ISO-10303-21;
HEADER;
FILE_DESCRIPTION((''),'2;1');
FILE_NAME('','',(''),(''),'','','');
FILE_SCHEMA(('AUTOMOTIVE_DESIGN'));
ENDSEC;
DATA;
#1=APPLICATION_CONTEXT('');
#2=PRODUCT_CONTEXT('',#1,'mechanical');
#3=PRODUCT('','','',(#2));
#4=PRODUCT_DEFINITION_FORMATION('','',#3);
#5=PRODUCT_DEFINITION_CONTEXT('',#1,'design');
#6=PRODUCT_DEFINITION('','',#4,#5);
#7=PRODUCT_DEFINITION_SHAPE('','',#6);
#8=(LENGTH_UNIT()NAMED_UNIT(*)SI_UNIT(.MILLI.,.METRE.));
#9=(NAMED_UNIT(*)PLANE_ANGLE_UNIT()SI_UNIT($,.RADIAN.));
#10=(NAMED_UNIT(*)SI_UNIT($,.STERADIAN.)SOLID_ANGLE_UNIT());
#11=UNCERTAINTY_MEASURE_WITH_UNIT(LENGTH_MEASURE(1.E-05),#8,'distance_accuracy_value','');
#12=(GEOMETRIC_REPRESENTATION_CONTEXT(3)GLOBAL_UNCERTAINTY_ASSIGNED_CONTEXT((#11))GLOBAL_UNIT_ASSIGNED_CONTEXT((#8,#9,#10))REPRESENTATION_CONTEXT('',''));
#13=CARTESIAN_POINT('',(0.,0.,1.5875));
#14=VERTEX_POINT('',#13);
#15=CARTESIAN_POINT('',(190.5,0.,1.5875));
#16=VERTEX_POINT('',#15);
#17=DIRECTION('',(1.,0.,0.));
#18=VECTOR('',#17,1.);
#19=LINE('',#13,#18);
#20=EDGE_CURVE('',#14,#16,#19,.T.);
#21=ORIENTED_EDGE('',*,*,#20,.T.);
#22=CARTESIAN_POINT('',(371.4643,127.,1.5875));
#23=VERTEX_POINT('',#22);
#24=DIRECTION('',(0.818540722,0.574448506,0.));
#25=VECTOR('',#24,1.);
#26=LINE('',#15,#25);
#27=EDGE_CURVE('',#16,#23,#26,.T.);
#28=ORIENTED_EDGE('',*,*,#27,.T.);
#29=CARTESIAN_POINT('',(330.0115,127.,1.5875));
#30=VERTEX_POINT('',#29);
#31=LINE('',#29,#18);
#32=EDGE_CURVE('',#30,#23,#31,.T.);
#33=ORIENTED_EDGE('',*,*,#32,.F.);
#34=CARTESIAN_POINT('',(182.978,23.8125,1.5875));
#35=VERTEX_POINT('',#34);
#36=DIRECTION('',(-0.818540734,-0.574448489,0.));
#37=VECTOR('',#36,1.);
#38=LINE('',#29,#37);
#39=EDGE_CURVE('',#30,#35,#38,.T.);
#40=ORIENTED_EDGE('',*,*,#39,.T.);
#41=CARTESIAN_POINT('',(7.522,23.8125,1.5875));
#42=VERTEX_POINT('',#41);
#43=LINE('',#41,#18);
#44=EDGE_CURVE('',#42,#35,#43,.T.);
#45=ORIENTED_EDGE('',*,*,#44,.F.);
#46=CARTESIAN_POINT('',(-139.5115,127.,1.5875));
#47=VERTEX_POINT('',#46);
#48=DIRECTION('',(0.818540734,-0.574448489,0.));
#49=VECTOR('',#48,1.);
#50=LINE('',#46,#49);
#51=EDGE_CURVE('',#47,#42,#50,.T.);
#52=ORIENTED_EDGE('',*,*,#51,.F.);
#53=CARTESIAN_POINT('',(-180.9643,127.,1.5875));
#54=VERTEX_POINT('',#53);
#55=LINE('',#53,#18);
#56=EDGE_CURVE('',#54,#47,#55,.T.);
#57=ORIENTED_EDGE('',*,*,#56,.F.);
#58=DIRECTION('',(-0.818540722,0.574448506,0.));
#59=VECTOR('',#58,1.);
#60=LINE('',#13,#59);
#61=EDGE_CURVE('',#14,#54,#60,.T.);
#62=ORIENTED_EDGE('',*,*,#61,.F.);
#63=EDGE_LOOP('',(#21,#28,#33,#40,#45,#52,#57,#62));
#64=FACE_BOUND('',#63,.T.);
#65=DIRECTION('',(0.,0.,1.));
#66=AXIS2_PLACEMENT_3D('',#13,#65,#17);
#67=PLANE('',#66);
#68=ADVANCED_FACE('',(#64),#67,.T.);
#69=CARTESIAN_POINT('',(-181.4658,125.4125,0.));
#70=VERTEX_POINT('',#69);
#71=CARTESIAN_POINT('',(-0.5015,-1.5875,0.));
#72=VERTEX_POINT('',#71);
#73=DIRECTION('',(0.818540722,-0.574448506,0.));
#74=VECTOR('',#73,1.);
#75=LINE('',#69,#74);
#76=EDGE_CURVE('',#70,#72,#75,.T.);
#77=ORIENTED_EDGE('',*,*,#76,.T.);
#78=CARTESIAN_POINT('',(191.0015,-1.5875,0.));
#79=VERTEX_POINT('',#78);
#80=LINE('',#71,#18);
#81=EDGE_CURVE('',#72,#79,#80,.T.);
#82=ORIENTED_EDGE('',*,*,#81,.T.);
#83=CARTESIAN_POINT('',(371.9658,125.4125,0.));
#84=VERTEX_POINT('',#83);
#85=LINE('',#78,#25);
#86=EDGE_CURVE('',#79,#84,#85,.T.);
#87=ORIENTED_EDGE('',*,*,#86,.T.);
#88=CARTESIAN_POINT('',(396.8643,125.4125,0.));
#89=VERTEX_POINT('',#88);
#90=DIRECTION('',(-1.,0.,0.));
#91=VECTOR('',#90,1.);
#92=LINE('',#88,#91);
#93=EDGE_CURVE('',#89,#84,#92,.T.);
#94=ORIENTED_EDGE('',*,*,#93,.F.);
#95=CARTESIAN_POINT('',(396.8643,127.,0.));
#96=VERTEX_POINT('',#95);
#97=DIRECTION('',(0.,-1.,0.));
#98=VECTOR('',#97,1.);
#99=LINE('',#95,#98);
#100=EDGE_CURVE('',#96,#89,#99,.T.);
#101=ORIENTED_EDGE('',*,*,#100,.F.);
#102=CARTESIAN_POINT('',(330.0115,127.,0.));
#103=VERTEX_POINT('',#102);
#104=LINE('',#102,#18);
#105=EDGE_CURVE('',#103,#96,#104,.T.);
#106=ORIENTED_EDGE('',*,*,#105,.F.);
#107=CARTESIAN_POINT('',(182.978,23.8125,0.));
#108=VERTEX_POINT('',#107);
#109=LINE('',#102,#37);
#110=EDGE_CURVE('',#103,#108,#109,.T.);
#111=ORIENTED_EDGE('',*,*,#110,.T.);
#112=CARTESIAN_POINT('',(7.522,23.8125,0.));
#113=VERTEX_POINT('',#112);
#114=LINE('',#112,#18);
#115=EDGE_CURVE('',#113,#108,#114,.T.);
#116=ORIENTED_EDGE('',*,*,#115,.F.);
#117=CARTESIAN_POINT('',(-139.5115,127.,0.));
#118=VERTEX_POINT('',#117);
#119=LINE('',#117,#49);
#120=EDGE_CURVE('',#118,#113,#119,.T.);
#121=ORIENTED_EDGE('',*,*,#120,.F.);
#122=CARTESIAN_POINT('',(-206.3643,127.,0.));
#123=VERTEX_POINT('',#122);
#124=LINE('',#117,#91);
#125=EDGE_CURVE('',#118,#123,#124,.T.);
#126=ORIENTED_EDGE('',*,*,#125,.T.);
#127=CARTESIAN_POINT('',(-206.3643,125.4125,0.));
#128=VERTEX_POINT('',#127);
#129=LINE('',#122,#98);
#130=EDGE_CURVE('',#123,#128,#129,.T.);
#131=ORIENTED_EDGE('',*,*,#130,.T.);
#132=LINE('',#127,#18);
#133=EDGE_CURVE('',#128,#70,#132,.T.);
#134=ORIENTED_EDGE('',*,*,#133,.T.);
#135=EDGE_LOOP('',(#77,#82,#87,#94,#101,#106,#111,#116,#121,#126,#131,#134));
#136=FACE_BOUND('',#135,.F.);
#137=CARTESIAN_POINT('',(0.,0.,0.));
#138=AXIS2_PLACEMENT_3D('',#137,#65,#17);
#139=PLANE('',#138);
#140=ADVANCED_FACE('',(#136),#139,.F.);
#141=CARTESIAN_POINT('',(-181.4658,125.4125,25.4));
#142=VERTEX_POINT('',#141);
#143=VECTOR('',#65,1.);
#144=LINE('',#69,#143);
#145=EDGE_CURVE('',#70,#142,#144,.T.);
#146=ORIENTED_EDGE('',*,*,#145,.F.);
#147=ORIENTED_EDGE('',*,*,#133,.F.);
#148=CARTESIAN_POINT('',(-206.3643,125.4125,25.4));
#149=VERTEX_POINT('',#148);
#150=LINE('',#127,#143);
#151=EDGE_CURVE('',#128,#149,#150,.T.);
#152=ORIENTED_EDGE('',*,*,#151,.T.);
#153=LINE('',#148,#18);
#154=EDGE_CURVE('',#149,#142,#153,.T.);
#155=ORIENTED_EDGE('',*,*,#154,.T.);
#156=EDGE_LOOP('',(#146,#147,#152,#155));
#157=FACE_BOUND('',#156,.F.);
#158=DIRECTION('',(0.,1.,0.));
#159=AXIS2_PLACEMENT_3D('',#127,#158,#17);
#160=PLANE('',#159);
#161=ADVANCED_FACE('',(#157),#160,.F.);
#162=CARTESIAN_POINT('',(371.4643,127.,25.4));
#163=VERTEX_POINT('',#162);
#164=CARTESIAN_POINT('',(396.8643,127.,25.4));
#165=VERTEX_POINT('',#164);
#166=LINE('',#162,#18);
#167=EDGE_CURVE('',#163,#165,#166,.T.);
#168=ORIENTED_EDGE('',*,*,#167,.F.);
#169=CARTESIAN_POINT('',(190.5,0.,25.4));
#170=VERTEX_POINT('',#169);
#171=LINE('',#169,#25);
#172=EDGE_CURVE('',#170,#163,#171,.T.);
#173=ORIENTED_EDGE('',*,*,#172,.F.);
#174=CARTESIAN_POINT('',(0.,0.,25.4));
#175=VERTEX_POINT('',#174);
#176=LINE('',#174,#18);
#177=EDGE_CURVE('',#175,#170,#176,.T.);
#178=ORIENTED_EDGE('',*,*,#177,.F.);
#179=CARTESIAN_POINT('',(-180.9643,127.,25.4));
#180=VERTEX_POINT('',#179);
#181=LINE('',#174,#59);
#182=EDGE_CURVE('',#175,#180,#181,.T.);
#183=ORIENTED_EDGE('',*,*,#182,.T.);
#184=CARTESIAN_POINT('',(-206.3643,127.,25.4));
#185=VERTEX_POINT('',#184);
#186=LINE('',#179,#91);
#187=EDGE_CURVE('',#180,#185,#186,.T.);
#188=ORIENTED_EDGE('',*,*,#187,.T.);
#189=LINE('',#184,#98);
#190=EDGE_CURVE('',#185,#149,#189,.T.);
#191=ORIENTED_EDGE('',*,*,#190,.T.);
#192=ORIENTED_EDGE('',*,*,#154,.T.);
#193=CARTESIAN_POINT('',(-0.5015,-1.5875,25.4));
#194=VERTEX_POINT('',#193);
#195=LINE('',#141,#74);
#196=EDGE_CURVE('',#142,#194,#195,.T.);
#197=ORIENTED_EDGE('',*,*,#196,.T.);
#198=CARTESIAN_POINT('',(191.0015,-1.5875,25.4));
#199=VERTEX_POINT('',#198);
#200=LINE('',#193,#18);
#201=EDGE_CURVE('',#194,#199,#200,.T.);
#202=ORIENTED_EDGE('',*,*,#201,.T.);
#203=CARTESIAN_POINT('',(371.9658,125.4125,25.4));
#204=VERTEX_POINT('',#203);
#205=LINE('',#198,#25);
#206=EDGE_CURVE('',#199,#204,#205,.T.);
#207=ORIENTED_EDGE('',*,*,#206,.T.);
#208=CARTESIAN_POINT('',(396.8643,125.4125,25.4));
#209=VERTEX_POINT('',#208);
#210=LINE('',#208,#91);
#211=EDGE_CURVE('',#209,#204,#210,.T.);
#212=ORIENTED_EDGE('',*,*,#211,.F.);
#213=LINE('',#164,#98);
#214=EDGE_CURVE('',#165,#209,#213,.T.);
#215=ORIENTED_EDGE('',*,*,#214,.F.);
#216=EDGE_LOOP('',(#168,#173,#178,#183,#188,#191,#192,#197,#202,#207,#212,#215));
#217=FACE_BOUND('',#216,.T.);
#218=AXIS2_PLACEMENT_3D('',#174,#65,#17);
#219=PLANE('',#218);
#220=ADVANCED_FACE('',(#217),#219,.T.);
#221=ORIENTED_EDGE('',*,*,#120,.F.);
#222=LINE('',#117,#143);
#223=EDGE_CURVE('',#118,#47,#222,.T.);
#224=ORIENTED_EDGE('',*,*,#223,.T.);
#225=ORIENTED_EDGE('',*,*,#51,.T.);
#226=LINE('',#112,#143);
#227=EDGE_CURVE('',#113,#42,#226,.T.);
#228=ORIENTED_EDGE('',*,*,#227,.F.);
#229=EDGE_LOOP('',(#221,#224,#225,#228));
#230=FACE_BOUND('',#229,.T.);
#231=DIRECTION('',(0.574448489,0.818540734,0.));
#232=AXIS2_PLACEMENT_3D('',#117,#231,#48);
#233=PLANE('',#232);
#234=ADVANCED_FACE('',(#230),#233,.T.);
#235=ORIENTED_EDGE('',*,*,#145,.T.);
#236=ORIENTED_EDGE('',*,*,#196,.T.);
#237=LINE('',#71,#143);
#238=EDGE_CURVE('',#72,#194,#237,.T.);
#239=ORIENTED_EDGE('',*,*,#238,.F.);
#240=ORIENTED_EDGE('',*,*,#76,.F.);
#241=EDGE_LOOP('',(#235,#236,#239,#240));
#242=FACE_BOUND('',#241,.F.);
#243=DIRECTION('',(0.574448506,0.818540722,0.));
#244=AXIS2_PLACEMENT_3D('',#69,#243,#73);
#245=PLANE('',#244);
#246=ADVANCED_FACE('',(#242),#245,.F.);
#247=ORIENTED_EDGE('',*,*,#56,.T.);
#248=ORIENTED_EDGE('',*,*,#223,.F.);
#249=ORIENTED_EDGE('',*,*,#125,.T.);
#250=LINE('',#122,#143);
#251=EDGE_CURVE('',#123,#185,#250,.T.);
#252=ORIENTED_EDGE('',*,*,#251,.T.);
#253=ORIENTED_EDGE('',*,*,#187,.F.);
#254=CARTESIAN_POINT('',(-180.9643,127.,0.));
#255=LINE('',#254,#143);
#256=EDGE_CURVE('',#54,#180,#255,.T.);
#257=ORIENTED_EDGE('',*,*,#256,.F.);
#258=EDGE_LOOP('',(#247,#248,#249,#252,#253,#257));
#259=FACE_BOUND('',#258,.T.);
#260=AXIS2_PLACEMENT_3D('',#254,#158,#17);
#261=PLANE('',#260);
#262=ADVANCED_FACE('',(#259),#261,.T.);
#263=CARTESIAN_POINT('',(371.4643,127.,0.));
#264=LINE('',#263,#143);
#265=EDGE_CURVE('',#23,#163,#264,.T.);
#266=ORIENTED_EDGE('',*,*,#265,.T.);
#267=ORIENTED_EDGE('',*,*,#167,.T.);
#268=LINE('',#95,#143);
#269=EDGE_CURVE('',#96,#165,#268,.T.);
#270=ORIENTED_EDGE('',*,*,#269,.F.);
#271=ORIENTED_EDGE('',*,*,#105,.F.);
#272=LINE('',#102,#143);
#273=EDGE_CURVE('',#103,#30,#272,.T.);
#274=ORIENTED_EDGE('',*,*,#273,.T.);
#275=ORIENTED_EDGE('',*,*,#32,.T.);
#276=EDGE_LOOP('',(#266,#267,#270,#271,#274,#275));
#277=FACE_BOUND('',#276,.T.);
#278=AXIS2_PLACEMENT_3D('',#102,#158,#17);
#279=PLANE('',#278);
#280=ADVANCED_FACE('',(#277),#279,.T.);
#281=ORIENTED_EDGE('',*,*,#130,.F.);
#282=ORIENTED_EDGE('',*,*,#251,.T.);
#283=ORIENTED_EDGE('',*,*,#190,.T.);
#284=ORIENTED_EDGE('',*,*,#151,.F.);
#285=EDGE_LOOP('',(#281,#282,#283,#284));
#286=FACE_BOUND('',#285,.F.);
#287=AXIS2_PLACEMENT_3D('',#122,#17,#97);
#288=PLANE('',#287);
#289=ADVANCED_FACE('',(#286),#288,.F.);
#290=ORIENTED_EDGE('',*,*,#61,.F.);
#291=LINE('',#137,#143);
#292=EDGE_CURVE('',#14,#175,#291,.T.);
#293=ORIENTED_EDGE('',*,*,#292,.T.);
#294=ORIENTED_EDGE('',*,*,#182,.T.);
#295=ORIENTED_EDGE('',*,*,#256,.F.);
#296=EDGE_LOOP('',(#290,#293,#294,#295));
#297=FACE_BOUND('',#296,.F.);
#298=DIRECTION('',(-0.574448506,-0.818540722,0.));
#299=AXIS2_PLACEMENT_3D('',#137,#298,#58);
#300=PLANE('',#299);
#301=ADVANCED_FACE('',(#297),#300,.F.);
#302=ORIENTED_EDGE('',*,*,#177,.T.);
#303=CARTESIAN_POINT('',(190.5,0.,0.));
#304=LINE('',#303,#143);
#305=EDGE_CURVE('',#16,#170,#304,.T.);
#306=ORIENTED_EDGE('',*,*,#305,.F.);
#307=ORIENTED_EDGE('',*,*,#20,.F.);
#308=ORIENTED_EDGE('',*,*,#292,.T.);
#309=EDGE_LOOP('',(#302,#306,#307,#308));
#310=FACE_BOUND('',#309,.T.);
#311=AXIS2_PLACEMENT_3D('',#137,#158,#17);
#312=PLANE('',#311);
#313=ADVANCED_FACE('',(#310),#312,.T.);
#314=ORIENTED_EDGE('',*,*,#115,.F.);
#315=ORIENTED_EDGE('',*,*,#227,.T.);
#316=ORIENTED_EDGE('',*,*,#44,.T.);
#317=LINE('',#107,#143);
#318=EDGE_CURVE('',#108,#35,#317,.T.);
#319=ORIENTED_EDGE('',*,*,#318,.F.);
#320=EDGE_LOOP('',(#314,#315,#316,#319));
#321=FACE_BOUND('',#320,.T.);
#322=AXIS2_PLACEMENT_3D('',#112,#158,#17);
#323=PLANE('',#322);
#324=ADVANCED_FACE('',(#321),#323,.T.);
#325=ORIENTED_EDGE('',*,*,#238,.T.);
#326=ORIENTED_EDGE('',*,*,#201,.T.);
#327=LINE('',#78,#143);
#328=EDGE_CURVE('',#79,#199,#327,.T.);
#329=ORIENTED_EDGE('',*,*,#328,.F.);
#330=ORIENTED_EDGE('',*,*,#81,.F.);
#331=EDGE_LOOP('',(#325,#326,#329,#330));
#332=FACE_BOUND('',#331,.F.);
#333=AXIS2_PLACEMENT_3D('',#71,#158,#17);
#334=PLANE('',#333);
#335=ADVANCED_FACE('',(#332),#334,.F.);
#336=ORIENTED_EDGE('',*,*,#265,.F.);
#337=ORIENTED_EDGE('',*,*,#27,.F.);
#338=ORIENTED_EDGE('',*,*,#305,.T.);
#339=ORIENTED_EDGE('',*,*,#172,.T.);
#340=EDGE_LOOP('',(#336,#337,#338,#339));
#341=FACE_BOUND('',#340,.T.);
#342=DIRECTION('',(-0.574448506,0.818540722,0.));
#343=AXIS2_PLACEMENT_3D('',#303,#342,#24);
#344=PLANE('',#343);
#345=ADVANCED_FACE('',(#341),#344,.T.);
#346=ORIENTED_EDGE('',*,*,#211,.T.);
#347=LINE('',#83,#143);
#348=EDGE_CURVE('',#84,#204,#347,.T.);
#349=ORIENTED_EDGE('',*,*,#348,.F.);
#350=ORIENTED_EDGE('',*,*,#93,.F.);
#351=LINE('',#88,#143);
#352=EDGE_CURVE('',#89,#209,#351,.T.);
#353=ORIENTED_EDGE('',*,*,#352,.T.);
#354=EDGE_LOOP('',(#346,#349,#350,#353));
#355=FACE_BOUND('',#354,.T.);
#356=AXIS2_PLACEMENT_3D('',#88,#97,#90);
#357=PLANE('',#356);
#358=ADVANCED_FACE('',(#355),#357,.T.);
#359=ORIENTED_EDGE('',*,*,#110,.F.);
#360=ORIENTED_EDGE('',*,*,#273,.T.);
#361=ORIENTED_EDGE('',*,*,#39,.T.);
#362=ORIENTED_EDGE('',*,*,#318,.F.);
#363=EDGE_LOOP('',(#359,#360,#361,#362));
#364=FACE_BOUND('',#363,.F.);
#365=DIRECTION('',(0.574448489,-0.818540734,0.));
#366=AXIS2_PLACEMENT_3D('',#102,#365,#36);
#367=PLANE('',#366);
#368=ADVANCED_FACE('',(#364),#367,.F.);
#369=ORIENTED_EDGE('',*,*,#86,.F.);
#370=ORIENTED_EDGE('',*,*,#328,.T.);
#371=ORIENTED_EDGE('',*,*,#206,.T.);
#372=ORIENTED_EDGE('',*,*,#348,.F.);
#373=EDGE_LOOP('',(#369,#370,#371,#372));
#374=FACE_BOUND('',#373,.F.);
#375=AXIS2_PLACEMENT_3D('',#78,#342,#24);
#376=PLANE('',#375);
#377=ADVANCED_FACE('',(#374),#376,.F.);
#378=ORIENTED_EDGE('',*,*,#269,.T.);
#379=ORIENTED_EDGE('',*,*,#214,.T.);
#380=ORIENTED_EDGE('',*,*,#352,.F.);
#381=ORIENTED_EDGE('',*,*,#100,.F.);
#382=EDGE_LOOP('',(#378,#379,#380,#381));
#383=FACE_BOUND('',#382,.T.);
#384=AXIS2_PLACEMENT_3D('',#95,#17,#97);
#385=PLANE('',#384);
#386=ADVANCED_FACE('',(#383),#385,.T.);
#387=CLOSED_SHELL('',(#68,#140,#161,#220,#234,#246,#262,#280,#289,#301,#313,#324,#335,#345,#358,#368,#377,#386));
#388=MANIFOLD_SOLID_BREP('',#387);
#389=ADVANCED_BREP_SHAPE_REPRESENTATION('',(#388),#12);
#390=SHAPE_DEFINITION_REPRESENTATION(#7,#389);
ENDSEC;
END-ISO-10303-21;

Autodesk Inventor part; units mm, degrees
ref_plane "YZ Plane" through (0, 0, 0) normal (1, 0, 0) x (0, 1, 0)
ref_plane "XZ Plane" through (0, 0, 0) normal (0, 1, 0) x (-1, 0, 0)
ref_plane "XY Plane" through (0, 0, 0) normal (0, 0, 1) x (1, 0, 0)
sketch "Sketch1" plane through (0, 0, 0) normal (0, 0, 1) x (1, 0, 0)
  line L0 (0, 0) -> (190.5, 0)
  line L1 (7.522, 23.8125) -> (182.978, 23.8125)
  line L2 (0, 0) -> (-180.9643, 127)
  line L3 (190.5, 0) -> (371.4643, 127)
  line L4 (-139.5115, 127) -> (7.522, 23.8125)
  line L5 (330.0115, 127) -> (182.978, 23.8125)
  line L6 (-180.9643, 127) -> (-139.5115, 127)
  line L7 (330.0115, 127) -> (371.4643, 127)
  line L8 (-181.4658, 125.4125) -> (-0.5015, -1.5875)
  line L9 (-0.5015, -1.5875) -> (191.0015, -1.5875)
  line L10 (191.0015, -1.5875) -> (371.9658, 125.4125)
  line L11 (-180.9643, 127) -> (-206.3643, 127)
  line L12 (-206.3643, 127) -> (-206.3643, 125.4125)
  line L13 (-206.3643, 125.4125) -> (-181.4658, 125.4125)
  line L14 (371.4643, 127) -> (396.8643, 127)
  line L15 (396.8643, 127) -> (396.8643, 125.4125)
  line L16 (396.8643, 125.4125) -> (371.9658, 125.4125)
  dimension "d0" = 190.5
  dimension "d1" = 23.8125
  dimension "d2" = 23.8125
  dimension "d3" = 23.8125
  dimension "d4" = 144.939
  dimension "d5" = 144.939
  dimension "d6" = 221.0816
  dimension "d7" = 221.0816
  dimension "d8" = 127
  dimension "d9" = 1.5875
  dimension "d10" = 25.4
  dimension "d11" = 1.5875
  dimension "d12" = 25.4
  dimension "d13" = 1.5875
extrude "Extrusion1" add sketch "Sketch1" along normal blind 1.5875 contours L2 L6 L4 L1 L5 L7 L3 L0
extrude "Extrusion2" add sketch "Sketch1" along normal blind 25.4 contours L0 L3 L14 L15 L16 L10 L9 L8 L13 L12 L11 L2
equation "\"d2\" = d1"
equation "\"d3\" = d1"
equation "\"d4\" = d5"
equation "\"d7\" = d6"
properties part number "battery front L"
